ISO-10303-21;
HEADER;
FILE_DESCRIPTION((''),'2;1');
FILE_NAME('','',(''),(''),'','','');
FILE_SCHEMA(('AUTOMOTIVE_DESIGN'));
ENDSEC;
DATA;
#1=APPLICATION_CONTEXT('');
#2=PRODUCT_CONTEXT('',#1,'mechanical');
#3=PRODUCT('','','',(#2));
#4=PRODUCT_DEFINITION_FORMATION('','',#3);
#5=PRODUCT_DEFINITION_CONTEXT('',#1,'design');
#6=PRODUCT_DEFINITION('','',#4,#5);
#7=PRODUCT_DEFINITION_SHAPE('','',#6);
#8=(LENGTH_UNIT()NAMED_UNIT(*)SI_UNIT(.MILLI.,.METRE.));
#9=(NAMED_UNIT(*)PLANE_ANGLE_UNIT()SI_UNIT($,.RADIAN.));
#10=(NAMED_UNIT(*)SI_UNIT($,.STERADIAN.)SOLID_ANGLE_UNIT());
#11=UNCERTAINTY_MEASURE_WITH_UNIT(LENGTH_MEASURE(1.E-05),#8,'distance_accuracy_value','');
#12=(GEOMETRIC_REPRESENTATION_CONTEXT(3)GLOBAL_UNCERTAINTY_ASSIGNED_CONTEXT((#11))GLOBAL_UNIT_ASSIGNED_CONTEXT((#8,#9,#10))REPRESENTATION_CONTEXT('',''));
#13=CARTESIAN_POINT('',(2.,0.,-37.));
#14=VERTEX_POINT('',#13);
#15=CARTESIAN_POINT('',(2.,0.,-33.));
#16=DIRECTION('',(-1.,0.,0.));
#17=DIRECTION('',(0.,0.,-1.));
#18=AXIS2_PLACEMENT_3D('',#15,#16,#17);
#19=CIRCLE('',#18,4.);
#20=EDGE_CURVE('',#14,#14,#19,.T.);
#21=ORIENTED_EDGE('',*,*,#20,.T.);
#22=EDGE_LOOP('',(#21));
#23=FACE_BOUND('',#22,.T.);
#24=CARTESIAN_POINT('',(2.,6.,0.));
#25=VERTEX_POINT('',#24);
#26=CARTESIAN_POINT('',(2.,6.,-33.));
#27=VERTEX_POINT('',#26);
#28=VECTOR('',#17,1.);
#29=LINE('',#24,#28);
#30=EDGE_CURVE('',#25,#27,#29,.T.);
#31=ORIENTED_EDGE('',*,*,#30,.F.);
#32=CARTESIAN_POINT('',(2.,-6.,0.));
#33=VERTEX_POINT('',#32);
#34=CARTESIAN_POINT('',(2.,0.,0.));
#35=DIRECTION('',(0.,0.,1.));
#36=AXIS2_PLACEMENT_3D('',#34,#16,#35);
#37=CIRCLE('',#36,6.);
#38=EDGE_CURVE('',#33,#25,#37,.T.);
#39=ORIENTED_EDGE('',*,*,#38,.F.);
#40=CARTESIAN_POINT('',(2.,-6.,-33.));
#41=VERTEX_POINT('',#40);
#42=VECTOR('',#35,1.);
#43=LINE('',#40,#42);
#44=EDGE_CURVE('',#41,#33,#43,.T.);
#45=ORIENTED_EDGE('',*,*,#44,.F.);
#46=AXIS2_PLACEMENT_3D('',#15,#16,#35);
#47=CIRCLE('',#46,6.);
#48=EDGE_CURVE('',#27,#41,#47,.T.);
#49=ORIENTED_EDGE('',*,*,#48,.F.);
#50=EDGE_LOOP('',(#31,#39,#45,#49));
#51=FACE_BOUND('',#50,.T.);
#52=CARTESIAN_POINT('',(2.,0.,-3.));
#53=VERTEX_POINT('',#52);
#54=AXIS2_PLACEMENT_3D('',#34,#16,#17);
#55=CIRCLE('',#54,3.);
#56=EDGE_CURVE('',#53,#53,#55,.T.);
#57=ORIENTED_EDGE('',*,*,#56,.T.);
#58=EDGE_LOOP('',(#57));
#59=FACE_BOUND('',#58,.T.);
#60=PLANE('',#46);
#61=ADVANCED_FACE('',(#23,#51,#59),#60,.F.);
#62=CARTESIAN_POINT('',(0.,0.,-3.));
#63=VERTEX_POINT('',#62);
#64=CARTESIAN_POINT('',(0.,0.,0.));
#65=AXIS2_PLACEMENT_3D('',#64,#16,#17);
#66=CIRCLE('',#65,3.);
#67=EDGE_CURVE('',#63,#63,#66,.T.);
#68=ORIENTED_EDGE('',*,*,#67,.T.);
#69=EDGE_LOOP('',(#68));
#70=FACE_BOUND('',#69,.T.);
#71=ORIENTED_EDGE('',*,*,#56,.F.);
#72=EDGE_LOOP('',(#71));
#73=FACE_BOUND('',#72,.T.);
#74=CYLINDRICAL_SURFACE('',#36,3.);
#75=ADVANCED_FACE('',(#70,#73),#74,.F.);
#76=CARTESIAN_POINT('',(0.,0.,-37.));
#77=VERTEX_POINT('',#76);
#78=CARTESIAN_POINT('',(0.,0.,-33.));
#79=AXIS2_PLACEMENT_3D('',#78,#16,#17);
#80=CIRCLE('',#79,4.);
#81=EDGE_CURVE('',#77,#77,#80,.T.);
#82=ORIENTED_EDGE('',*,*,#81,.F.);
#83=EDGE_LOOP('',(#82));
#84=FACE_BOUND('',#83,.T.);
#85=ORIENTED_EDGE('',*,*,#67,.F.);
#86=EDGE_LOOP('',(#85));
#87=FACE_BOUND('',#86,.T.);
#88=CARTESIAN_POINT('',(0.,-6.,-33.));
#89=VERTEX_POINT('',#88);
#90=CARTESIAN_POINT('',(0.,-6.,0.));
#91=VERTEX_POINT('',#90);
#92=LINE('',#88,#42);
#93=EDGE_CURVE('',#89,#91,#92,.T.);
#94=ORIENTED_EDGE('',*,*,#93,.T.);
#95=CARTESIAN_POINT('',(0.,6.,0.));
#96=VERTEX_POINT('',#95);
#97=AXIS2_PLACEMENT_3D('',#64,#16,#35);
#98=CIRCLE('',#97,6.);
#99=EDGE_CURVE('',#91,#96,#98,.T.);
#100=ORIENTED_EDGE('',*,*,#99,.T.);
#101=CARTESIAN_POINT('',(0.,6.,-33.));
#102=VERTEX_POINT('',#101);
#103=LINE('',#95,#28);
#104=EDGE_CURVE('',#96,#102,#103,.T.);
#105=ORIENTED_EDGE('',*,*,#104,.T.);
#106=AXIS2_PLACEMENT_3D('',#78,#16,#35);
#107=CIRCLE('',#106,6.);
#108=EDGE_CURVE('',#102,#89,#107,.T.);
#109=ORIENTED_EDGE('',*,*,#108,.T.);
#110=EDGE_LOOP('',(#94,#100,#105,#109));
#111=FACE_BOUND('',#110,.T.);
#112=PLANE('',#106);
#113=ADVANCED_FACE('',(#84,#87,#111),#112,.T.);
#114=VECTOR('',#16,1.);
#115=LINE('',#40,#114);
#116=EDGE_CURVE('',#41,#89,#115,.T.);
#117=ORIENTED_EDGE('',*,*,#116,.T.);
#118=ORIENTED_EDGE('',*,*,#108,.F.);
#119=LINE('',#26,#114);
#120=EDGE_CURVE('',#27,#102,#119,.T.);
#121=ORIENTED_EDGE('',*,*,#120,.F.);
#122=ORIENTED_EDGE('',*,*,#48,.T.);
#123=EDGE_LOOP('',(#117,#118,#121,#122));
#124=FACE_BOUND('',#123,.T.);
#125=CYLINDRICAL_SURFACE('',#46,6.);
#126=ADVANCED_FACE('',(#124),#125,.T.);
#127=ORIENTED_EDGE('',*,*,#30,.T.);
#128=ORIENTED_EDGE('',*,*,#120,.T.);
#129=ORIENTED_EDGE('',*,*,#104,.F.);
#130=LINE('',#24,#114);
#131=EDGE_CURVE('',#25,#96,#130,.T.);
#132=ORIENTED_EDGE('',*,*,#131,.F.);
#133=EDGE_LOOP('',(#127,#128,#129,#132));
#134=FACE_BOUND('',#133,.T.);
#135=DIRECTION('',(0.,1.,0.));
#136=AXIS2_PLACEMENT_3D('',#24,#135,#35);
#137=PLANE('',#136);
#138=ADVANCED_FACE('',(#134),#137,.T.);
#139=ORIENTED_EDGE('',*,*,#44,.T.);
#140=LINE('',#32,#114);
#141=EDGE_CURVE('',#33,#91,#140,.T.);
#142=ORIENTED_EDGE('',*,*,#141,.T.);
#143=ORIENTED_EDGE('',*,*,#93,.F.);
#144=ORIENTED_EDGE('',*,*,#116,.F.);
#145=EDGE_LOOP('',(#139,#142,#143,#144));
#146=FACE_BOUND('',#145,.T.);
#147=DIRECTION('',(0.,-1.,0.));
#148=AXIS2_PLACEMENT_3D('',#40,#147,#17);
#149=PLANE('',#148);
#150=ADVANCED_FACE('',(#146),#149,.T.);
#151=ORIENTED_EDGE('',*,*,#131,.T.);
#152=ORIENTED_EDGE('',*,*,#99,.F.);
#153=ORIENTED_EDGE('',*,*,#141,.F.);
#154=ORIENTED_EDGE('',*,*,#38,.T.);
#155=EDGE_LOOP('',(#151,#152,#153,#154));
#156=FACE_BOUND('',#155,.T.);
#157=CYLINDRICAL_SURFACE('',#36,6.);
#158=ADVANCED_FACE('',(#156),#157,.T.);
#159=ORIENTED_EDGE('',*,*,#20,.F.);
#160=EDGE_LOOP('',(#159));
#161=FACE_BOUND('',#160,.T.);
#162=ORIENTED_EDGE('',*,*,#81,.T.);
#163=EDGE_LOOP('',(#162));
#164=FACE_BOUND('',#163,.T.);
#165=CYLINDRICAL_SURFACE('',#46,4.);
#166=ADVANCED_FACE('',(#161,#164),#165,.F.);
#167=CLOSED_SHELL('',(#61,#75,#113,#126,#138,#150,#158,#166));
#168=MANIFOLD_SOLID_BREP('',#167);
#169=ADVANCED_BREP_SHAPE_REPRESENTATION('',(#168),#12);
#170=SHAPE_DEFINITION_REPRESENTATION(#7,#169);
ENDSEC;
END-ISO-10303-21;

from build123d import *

# Parameters (mm, degrees)
SKETCH_1_R      = 3
SKETCH_1_R_2    = 4
EXTRUDE_1_DEPTH = 2


with BuildPart() as part:
    # ｽｹｯﾁ1 → ﾎﾞｽ - 押し出し1 (new body)
    with BuildSketch(Plane(origin=(0, 0, 0), x_dir=(0, -1, 0), z_dir=(-1, 0, 0))):
        with BuildLine():
            Line((6, -33), (6, 0))
            ThreePointArc((6, 0), (0, 6), (-6, 0))
            Line((-6, 0), (-6, -33))
            ThreePointArc((-6, -33), (0, -39), (6, -33))
        make_face()
        with Locations(Location((0, 0, 0), (0, 0, 270))):
            Circle(SKETCH_1_R, mode=Mode.SUBTRACT)
        with Locations(Location((0, -33, 0), (0, 0, 270))):
            Circle(SKETCH_1_R_2, mode=Mode.SUBTRACT)
    extrude(amount=-EXTRUDE_1_DEPTH)


solid = part.part
